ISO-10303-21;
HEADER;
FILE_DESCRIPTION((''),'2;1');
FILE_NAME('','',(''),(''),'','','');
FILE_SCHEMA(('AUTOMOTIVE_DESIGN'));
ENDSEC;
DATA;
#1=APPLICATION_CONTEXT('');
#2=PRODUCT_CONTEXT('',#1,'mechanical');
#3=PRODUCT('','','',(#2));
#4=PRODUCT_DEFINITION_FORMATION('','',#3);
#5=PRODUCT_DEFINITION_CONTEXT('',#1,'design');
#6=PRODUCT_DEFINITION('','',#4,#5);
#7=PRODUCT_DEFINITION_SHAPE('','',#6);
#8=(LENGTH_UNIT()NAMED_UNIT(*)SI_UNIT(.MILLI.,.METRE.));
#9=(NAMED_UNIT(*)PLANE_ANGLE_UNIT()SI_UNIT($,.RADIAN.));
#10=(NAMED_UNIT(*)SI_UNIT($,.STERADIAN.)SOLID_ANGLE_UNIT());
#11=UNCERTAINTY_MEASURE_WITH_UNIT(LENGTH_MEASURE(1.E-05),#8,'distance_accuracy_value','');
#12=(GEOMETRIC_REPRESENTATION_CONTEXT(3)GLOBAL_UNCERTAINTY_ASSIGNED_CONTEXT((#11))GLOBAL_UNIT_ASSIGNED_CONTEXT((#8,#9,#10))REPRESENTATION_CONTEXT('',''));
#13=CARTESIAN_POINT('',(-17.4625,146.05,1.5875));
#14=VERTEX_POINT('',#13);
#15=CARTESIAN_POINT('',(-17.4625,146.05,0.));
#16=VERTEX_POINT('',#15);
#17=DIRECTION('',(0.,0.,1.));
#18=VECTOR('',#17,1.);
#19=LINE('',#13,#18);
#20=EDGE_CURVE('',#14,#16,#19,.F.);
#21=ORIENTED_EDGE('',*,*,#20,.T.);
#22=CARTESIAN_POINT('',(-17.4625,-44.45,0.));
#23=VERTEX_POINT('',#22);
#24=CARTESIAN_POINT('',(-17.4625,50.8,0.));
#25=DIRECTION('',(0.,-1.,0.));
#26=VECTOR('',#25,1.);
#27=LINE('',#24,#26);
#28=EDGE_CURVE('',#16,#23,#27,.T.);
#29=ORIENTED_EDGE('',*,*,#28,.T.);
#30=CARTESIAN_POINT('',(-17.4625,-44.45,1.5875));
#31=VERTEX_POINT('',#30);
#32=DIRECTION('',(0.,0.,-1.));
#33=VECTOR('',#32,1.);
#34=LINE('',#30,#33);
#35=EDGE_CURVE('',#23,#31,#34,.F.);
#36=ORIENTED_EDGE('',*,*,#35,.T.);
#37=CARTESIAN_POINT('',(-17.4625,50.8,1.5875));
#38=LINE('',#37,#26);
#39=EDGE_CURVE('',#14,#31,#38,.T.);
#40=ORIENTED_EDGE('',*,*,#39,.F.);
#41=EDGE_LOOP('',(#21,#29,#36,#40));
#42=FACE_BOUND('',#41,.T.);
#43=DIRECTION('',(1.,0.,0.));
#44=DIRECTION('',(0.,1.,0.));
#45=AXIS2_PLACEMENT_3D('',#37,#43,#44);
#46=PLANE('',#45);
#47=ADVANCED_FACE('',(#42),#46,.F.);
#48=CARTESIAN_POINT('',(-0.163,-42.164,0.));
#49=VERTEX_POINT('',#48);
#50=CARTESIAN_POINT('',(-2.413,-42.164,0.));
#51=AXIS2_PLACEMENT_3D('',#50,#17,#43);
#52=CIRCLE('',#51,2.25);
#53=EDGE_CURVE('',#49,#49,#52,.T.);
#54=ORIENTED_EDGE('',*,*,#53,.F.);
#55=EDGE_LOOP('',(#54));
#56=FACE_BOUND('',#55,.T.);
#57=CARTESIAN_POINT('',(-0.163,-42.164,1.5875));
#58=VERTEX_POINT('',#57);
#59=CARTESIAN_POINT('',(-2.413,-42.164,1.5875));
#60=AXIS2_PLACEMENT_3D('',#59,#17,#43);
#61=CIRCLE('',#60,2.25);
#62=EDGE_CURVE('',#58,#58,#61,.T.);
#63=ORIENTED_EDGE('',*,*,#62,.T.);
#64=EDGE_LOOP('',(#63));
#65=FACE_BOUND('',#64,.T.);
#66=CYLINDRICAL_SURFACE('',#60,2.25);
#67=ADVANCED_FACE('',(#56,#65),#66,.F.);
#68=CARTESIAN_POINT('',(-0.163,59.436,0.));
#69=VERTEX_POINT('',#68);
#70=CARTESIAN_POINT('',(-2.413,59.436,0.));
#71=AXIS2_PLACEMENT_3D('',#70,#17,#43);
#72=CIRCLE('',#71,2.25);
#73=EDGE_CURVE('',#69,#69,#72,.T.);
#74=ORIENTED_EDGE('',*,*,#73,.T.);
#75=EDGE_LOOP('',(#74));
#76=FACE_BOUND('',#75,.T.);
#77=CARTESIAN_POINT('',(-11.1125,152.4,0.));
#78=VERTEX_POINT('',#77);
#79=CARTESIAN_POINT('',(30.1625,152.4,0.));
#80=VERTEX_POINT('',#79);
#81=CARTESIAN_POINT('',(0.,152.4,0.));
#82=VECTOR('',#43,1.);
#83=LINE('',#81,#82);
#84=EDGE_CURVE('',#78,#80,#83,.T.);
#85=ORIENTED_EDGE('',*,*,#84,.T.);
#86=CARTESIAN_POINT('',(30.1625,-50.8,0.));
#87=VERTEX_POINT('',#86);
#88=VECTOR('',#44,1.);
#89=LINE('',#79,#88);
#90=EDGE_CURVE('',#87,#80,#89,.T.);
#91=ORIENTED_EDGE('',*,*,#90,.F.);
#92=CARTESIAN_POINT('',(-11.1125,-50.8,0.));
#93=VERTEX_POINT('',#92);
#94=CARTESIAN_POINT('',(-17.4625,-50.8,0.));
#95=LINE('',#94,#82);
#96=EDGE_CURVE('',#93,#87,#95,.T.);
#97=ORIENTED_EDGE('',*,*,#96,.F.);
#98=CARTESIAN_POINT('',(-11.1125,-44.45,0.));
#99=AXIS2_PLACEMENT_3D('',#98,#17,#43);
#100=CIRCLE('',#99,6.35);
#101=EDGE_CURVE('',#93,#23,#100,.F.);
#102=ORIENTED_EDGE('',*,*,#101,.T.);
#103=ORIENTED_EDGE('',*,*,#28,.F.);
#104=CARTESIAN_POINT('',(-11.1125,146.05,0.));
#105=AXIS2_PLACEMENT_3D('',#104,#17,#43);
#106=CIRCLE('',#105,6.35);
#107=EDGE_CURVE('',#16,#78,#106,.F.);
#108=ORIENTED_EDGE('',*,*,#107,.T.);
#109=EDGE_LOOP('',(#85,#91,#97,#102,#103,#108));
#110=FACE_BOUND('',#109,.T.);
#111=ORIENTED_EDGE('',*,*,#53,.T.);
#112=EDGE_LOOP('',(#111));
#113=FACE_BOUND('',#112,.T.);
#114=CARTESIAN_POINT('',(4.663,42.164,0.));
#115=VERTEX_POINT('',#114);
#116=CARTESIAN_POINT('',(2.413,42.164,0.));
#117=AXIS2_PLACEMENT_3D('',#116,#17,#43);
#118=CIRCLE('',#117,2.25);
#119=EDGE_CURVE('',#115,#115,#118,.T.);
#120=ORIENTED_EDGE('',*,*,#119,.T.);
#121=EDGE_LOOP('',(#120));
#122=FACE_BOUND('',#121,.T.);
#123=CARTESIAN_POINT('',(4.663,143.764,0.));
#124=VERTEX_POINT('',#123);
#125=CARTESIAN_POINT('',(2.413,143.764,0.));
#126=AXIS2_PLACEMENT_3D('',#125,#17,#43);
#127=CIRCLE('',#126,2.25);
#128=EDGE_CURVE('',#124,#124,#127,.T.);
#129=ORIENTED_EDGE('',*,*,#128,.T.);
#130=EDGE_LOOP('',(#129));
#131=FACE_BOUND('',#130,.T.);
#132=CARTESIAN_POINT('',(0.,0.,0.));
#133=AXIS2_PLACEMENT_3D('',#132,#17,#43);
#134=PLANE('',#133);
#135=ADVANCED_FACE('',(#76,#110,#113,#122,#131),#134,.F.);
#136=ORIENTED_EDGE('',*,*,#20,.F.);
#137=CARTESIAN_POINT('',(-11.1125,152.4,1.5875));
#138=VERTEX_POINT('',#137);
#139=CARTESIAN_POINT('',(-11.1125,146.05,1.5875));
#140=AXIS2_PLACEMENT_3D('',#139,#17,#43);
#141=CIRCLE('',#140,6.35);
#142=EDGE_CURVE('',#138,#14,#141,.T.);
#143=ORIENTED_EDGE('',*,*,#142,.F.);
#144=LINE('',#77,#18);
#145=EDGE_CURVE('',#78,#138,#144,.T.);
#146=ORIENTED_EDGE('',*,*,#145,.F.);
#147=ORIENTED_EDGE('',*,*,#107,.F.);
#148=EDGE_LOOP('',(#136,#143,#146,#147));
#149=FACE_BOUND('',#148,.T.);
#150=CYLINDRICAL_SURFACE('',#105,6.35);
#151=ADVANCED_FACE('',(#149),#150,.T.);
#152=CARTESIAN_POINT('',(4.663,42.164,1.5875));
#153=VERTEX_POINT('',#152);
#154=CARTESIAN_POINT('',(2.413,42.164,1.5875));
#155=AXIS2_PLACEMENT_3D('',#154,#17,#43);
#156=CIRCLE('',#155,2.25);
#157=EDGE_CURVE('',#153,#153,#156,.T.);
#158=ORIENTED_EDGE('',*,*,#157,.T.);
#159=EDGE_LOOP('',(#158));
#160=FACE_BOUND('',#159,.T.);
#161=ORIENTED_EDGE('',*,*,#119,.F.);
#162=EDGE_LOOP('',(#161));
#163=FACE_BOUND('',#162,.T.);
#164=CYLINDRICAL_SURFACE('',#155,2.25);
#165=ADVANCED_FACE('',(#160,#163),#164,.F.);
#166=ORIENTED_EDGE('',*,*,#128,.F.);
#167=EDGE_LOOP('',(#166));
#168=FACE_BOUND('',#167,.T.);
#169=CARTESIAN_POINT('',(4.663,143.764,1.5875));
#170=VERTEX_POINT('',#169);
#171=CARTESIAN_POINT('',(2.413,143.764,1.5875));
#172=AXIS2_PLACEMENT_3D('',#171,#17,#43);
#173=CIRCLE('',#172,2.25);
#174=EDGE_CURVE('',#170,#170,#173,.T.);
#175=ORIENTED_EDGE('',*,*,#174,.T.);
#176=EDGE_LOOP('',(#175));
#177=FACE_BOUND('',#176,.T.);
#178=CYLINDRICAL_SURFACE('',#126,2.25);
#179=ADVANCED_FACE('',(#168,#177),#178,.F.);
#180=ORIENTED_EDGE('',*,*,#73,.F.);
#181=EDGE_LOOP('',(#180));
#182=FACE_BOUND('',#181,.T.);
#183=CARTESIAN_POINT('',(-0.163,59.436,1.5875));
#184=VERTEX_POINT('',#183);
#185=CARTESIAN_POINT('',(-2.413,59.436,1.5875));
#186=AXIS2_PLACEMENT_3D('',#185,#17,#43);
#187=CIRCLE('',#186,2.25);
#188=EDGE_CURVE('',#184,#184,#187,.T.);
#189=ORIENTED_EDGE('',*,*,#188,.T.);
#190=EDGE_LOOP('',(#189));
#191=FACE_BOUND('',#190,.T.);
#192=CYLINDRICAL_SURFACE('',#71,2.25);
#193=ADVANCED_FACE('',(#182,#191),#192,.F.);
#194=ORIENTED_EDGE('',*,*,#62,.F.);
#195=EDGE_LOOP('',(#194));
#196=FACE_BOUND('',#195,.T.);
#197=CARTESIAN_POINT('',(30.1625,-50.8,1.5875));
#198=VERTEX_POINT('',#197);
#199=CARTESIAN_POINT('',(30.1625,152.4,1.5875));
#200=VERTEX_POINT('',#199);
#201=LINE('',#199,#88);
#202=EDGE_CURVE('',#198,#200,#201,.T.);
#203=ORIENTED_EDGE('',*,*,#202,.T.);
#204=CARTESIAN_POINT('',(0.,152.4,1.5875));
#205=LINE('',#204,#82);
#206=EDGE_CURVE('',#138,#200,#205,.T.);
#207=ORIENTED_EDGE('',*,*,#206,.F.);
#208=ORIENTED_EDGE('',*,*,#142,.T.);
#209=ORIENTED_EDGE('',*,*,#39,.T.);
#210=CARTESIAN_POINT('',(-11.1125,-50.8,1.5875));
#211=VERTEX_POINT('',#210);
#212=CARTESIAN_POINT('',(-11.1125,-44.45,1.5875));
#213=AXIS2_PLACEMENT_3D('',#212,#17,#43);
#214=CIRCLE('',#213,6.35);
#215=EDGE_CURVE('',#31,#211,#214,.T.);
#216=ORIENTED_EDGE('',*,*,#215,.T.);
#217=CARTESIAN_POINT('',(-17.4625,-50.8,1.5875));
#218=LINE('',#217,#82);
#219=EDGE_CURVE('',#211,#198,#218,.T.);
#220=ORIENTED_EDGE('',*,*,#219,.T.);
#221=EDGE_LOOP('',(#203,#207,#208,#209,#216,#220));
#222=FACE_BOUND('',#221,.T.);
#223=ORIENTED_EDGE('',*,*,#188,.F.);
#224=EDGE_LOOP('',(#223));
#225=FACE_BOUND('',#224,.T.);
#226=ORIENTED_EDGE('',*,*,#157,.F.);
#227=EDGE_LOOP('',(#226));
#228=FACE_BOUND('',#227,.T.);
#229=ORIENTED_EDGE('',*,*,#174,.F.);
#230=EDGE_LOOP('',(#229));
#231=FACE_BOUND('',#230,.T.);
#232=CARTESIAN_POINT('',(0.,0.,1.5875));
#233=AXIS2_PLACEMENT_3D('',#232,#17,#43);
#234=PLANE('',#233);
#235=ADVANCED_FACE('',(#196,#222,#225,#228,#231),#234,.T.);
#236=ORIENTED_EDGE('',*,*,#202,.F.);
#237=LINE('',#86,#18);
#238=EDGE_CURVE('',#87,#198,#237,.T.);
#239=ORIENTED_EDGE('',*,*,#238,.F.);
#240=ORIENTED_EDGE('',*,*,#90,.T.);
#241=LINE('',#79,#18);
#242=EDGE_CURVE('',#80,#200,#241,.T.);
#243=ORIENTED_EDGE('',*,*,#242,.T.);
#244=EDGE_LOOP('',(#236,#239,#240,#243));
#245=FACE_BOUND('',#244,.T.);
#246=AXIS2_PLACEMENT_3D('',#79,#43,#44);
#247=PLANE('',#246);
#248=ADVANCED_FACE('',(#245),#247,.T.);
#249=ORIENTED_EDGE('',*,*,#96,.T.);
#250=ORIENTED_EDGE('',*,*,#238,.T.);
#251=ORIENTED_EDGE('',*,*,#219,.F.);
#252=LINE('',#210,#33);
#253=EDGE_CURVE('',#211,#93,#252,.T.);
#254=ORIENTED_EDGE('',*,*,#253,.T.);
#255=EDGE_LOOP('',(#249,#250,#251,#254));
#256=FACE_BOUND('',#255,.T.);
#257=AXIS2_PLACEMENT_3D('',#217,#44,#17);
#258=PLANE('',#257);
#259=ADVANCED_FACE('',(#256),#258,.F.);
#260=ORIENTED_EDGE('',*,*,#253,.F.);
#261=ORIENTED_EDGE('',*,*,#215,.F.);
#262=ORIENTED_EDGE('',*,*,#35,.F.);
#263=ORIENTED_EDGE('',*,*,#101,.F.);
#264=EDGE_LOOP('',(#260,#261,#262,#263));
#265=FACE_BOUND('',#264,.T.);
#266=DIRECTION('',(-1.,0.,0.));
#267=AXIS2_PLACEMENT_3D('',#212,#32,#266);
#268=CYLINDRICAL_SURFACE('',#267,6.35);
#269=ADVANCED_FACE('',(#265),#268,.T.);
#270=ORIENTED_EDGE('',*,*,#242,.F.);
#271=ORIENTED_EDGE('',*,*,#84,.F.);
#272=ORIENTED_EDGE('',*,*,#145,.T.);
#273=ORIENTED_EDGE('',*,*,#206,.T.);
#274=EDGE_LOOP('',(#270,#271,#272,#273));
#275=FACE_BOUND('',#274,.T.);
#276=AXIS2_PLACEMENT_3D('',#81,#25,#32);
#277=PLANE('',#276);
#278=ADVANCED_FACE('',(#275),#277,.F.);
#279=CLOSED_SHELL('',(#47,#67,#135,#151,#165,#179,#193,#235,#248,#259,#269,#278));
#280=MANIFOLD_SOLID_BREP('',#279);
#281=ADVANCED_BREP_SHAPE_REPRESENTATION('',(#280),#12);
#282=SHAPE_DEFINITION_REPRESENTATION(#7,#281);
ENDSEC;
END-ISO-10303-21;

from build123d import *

# Parameters (mm, degrees)
SKETCH1_W            = 34.925
SKETCH1_H            = 101.6
BOSS_EXTRUDE1_DEPTH  = 1.5875
M4_CLEARANCE_HOLE1_D = 4.5
BOSS_EXTRUDE4_START  = -1.5875
SKETCH8_W            = 34.925
SKETCH8_H            = 101.6
SKETCH8_R            = 2.25
BOSS_EXTRUDE4_DEPTH  = 1.5875
SKETCH9_W            = 12.7
SKETCH9_H            = 203.2
BOSS_EXTRUDE5_DEPTH  = 1.5875
FILLET1_R            = 6.35


with BuildPart() as part:
    # Sketch1 → Boss-Extrude1 (new body)
    with BuildSketch(Plane.XY):
        Rectangle(SKETCH1_W, SKETCH1_H)
    extrude(amount=BOSS_EXTRUDE1_DEPTH)

    # M4 Clearance Hole1 (through all)
    with Locations(Plane.XY.offset(1.5875)):
        with Locations((-2.413, -42.164), (2.413, 42.164)):
            Hole(M4_CLEARANCE_HOLE1_D / 2)

    # Sketch8 → Boss-Extrude4 (add)
    # profile 1 of 2: a face of its own
    with BuildSketch(Plane.XY.offset(1.5875).offset(BOSS_EXTRUDE4_START)):
        with Locations((0, 101.6)):
            Rectangle(SKETCH8_W, SKETCH8_H)
        with Locations((-2.413, 59.436)):
            Circle(SKETCH8_R, mode=Mode.SUBTRACT)
        with Locations((2.413, 143.764)):
            Circle(SKETCH8_R, mode=Mode.SUBTRACT)
    # profile 2 of 2: a face of its own
    with BuildSketch(Plane.XY.offset(1.5875).offset(BOSS_EXTRUDE4_START)):
        Rectangle(SKETCH8_W, SKETCH8_H)
        with Locations((-2.413, -42.164)):
            Circle(SKETCH8_R, mode=Mode.SUBTRACT)
        with Locations((2.413, 42.164)):
            Circle(SKETCH8_R, mode=Mode.SUBTRACT)
    extrude(amount=BOSS_EXTRUDE4_DEPTH)

    # Sketch9 → Boss-Extrude5 (add)
    with BuildSketch(Plane.XY.offset(1.5875)):
        with Locations((23.8125, 50.8)):
            Rectangle(SKETCH9_W, SKETCH9_H)
    extrude(amount=-BOSS_EXTRUDE5_DEPTH)

    # Fillet1
    fillet1_edges = [part.edges().sort_by_distance(p)[0] for p in [
        (-17.4625, 152.4, 0.79375),
        (-17.4625, -50.8, 0.79375),
    ]]
    fillet(fillet1_edges, radius=FILLET1_R)


solid = part.part
